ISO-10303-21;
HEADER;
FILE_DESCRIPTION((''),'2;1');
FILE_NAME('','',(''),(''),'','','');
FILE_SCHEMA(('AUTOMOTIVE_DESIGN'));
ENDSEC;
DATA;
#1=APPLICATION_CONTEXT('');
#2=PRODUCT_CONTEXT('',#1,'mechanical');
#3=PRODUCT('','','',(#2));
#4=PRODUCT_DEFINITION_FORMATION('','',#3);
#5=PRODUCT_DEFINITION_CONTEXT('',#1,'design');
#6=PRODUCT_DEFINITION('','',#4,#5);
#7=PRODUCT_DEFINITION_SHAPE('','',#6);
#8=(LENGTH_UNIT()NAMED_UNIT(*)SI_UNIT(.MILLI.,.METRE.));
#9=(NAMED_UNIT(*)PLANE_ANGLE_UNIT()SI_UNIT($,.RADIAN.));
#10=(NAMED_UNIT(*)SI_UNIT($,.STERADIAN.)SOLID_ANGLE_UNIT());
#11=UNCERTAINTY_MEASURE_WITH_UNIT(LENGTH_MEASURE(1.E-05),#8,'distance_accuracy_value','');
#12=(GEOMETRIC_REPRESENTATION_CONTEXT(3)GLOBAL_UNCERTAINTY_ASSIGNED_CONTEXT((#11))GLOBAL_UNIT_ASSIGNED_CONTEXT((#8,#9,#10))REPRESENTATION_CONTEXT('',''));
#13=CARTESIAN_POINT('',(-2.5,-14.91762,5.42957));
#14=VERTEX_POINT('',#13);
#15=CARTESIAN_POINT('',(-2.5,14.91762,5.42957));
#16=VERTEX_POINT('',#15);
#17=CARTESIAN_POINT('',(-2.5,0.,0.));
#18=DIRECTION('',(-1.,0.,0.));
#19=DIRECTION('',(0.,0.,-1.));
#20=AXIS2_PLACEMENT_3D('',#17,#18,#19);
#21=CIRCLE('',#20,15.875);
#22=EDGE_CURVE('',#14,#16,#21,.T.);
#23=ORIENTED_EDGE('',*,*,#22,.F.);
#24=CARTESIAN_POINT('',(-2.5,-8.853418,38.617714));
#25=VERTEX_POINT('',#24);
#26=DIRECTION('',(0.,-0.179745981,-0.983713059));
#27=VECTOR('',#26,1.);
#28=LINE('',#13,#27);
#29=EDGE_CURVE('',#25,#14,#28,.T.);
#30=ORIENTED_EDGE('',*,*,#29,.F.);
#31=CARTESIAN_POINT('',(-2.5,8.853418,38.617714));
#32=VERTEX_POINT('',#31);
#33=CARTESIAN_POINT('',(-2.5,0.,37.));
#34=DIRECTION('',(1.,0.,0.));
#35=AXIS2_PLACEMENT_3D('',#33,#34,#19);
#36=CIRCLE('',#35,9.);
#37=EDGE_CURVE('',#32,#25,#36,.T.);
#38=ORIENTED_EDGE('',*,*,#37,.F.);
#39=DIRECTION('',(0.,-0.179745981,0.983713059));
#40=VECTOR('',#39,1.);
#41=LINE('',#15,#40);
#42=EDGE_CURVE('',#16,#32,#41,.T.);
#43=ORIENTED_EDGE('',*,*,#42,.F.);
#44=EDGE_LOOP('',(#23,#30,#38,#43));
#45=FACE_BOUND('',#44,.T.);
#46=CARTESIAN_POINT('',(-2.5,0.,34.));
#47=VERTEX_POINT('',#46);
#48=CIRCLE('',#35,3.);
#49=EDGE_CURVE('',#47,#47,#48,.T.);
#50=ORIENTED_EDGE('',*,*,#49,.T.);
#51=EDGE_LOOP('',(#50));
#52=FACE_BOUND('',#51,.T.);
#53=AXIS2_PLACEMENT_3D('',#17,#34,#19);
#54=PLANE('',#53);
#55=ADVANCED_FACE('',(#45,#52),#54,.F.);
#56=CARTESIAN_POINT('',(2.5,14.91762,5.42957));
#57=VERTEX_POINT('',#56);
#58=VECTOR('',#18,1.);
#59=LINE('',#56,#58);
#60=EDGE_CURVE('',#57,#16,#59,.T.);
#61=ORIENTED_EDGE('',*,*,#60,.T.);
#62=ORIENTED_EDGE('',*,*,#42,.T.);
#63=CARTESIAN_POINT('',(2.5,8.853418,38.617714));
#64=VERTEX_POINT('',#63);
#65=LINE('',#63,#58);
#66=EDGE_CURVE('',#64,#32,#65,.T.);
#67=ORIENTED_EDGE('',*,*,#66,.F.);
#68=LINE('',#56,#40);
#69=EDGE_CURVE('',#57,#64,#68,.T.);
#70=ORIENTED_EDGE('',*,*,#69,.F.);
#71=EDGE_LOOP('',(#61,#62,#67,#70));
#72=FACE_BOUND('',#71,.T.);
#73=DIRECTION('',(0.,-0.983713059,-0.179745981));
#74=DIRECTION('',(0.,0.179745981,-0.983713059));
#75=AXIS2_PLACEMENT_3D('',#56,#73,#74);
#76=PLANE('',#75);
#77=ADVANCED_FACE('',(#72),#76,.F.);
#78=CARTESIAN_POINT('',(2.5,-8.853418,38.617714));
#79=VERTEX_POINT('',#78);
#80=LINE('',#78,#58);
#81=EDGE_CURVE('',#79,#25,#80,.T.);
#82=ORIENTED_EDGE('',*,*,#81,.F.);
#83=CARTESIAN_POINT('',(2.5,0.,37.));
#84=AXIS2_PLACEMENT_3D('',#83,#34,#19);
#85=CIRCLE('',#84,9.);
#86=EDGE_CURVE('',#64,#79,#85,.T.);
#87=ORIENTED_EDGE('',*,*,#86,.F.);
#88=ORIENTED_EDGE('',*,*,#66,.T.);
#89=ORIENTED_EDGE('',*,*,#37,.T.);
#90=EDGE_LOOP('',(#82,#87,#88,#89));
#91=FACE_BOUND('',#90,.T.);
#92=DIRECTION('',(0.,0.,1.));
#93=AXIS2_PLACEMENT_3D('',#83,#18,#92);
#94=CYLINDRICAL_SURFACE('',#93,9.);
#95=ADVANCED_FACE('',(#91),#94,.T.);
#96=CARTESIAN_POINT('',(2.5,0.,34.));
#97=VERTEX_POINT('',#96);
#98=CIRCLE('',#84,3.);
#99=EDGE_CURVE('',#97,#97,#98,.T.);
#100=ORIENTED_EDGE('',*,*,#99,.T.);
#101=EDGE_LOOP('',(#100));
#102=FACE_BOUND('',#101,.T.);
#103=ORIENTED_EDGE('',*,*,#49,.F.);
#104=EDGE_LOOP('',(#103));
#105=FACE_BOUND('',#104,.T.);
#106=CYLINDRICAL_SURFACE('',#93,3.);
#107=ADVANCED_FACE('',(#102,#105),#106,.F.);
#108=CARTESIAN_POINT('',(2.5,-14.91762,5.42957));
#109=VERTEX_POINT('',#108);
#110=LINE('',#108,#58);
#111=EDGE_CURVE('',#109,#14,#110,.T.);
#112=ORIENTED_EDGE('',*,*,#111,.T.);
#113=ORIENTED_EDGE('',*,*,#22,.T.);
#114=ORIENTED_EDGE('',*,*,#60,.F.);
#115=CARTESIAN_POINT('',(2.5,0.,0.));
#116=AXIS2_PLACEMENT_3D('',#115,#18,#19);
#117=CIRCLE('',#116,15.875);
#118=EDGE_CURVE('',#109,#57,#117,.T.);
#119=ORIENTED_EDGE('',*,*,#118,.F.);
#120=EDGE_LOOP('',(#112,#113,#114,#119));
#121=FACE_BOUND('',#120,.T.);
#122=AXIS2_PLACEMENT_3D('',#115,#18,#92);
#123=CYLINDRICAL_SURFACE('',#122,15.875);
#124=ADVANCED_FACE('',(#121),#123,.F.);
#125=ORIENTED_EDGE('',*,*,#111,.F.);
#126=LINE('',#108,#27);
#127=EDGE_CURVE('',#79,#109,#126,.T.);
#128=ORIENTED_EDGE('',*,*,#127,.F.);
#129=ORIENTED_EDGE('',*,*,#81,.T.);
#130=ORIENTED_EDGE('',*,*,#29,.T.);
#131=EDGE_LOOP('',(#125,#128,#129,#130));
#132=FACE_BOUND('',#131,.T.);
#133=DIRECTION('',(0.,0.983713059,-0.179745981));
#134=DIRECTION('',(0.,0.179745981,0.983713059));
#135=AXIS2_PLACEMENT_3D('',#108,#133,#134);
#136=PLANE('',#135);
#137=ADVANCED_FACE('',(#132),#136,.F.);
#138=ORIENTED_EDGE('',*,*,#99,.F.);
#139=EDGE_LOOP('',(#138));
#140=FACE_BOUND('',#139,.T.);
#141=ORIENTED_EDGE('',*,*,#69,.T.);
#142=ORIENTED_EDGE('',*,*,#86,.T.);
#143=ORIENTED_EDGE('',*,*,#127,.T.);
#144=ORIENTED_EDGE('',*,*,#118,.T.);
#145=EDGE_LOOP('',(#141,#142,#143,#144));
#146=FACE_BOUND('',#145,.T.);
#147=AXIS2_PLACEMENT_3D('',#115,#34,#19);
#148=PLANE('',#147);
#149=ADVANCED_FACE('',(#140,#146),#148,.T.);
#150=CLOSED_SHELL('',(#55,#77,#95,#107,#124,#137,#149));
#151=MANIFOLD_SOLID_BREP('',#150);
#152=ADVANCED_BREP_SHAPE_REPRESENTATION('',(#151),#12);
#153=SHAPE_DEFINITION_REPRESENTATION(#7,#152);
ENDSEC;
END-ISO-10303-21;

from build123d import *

# Parameters (mm, degrees)
SKETCH1_R           = 3
BOSS_EXTRUDE1_DEPTH = 2.5


with BuildPart() as part:
    # Sketch1 → Boss-Extrude1 (new, symmetric)
    with BuildSketch(Plane.YZ):
        with BuildLine():
            Line((-14.917620355, 5.429569775), (-8.85341753, 38.617713829))
            ThreePointArc((-8.85341753, 38.617713829), (0, 46), (8.85341753, 38.617713829))
            Line((8.85341753, 38.617713829), (14.917620355, 5.429569775))
            ThreePointArc((14.917620355, 5.429569775), (0, 15.875), (-14.917620355, 5.429569775))
        make_face()
        with Locations(Location((0, 37, 0), (0, 0, 270))):
            Circle(SKETCH1_R, mode=Mode.SUBTRACT)
    extrude(amount=BOSS_EXTRUDE1_DEPTH, both=True)


solid = part.part
